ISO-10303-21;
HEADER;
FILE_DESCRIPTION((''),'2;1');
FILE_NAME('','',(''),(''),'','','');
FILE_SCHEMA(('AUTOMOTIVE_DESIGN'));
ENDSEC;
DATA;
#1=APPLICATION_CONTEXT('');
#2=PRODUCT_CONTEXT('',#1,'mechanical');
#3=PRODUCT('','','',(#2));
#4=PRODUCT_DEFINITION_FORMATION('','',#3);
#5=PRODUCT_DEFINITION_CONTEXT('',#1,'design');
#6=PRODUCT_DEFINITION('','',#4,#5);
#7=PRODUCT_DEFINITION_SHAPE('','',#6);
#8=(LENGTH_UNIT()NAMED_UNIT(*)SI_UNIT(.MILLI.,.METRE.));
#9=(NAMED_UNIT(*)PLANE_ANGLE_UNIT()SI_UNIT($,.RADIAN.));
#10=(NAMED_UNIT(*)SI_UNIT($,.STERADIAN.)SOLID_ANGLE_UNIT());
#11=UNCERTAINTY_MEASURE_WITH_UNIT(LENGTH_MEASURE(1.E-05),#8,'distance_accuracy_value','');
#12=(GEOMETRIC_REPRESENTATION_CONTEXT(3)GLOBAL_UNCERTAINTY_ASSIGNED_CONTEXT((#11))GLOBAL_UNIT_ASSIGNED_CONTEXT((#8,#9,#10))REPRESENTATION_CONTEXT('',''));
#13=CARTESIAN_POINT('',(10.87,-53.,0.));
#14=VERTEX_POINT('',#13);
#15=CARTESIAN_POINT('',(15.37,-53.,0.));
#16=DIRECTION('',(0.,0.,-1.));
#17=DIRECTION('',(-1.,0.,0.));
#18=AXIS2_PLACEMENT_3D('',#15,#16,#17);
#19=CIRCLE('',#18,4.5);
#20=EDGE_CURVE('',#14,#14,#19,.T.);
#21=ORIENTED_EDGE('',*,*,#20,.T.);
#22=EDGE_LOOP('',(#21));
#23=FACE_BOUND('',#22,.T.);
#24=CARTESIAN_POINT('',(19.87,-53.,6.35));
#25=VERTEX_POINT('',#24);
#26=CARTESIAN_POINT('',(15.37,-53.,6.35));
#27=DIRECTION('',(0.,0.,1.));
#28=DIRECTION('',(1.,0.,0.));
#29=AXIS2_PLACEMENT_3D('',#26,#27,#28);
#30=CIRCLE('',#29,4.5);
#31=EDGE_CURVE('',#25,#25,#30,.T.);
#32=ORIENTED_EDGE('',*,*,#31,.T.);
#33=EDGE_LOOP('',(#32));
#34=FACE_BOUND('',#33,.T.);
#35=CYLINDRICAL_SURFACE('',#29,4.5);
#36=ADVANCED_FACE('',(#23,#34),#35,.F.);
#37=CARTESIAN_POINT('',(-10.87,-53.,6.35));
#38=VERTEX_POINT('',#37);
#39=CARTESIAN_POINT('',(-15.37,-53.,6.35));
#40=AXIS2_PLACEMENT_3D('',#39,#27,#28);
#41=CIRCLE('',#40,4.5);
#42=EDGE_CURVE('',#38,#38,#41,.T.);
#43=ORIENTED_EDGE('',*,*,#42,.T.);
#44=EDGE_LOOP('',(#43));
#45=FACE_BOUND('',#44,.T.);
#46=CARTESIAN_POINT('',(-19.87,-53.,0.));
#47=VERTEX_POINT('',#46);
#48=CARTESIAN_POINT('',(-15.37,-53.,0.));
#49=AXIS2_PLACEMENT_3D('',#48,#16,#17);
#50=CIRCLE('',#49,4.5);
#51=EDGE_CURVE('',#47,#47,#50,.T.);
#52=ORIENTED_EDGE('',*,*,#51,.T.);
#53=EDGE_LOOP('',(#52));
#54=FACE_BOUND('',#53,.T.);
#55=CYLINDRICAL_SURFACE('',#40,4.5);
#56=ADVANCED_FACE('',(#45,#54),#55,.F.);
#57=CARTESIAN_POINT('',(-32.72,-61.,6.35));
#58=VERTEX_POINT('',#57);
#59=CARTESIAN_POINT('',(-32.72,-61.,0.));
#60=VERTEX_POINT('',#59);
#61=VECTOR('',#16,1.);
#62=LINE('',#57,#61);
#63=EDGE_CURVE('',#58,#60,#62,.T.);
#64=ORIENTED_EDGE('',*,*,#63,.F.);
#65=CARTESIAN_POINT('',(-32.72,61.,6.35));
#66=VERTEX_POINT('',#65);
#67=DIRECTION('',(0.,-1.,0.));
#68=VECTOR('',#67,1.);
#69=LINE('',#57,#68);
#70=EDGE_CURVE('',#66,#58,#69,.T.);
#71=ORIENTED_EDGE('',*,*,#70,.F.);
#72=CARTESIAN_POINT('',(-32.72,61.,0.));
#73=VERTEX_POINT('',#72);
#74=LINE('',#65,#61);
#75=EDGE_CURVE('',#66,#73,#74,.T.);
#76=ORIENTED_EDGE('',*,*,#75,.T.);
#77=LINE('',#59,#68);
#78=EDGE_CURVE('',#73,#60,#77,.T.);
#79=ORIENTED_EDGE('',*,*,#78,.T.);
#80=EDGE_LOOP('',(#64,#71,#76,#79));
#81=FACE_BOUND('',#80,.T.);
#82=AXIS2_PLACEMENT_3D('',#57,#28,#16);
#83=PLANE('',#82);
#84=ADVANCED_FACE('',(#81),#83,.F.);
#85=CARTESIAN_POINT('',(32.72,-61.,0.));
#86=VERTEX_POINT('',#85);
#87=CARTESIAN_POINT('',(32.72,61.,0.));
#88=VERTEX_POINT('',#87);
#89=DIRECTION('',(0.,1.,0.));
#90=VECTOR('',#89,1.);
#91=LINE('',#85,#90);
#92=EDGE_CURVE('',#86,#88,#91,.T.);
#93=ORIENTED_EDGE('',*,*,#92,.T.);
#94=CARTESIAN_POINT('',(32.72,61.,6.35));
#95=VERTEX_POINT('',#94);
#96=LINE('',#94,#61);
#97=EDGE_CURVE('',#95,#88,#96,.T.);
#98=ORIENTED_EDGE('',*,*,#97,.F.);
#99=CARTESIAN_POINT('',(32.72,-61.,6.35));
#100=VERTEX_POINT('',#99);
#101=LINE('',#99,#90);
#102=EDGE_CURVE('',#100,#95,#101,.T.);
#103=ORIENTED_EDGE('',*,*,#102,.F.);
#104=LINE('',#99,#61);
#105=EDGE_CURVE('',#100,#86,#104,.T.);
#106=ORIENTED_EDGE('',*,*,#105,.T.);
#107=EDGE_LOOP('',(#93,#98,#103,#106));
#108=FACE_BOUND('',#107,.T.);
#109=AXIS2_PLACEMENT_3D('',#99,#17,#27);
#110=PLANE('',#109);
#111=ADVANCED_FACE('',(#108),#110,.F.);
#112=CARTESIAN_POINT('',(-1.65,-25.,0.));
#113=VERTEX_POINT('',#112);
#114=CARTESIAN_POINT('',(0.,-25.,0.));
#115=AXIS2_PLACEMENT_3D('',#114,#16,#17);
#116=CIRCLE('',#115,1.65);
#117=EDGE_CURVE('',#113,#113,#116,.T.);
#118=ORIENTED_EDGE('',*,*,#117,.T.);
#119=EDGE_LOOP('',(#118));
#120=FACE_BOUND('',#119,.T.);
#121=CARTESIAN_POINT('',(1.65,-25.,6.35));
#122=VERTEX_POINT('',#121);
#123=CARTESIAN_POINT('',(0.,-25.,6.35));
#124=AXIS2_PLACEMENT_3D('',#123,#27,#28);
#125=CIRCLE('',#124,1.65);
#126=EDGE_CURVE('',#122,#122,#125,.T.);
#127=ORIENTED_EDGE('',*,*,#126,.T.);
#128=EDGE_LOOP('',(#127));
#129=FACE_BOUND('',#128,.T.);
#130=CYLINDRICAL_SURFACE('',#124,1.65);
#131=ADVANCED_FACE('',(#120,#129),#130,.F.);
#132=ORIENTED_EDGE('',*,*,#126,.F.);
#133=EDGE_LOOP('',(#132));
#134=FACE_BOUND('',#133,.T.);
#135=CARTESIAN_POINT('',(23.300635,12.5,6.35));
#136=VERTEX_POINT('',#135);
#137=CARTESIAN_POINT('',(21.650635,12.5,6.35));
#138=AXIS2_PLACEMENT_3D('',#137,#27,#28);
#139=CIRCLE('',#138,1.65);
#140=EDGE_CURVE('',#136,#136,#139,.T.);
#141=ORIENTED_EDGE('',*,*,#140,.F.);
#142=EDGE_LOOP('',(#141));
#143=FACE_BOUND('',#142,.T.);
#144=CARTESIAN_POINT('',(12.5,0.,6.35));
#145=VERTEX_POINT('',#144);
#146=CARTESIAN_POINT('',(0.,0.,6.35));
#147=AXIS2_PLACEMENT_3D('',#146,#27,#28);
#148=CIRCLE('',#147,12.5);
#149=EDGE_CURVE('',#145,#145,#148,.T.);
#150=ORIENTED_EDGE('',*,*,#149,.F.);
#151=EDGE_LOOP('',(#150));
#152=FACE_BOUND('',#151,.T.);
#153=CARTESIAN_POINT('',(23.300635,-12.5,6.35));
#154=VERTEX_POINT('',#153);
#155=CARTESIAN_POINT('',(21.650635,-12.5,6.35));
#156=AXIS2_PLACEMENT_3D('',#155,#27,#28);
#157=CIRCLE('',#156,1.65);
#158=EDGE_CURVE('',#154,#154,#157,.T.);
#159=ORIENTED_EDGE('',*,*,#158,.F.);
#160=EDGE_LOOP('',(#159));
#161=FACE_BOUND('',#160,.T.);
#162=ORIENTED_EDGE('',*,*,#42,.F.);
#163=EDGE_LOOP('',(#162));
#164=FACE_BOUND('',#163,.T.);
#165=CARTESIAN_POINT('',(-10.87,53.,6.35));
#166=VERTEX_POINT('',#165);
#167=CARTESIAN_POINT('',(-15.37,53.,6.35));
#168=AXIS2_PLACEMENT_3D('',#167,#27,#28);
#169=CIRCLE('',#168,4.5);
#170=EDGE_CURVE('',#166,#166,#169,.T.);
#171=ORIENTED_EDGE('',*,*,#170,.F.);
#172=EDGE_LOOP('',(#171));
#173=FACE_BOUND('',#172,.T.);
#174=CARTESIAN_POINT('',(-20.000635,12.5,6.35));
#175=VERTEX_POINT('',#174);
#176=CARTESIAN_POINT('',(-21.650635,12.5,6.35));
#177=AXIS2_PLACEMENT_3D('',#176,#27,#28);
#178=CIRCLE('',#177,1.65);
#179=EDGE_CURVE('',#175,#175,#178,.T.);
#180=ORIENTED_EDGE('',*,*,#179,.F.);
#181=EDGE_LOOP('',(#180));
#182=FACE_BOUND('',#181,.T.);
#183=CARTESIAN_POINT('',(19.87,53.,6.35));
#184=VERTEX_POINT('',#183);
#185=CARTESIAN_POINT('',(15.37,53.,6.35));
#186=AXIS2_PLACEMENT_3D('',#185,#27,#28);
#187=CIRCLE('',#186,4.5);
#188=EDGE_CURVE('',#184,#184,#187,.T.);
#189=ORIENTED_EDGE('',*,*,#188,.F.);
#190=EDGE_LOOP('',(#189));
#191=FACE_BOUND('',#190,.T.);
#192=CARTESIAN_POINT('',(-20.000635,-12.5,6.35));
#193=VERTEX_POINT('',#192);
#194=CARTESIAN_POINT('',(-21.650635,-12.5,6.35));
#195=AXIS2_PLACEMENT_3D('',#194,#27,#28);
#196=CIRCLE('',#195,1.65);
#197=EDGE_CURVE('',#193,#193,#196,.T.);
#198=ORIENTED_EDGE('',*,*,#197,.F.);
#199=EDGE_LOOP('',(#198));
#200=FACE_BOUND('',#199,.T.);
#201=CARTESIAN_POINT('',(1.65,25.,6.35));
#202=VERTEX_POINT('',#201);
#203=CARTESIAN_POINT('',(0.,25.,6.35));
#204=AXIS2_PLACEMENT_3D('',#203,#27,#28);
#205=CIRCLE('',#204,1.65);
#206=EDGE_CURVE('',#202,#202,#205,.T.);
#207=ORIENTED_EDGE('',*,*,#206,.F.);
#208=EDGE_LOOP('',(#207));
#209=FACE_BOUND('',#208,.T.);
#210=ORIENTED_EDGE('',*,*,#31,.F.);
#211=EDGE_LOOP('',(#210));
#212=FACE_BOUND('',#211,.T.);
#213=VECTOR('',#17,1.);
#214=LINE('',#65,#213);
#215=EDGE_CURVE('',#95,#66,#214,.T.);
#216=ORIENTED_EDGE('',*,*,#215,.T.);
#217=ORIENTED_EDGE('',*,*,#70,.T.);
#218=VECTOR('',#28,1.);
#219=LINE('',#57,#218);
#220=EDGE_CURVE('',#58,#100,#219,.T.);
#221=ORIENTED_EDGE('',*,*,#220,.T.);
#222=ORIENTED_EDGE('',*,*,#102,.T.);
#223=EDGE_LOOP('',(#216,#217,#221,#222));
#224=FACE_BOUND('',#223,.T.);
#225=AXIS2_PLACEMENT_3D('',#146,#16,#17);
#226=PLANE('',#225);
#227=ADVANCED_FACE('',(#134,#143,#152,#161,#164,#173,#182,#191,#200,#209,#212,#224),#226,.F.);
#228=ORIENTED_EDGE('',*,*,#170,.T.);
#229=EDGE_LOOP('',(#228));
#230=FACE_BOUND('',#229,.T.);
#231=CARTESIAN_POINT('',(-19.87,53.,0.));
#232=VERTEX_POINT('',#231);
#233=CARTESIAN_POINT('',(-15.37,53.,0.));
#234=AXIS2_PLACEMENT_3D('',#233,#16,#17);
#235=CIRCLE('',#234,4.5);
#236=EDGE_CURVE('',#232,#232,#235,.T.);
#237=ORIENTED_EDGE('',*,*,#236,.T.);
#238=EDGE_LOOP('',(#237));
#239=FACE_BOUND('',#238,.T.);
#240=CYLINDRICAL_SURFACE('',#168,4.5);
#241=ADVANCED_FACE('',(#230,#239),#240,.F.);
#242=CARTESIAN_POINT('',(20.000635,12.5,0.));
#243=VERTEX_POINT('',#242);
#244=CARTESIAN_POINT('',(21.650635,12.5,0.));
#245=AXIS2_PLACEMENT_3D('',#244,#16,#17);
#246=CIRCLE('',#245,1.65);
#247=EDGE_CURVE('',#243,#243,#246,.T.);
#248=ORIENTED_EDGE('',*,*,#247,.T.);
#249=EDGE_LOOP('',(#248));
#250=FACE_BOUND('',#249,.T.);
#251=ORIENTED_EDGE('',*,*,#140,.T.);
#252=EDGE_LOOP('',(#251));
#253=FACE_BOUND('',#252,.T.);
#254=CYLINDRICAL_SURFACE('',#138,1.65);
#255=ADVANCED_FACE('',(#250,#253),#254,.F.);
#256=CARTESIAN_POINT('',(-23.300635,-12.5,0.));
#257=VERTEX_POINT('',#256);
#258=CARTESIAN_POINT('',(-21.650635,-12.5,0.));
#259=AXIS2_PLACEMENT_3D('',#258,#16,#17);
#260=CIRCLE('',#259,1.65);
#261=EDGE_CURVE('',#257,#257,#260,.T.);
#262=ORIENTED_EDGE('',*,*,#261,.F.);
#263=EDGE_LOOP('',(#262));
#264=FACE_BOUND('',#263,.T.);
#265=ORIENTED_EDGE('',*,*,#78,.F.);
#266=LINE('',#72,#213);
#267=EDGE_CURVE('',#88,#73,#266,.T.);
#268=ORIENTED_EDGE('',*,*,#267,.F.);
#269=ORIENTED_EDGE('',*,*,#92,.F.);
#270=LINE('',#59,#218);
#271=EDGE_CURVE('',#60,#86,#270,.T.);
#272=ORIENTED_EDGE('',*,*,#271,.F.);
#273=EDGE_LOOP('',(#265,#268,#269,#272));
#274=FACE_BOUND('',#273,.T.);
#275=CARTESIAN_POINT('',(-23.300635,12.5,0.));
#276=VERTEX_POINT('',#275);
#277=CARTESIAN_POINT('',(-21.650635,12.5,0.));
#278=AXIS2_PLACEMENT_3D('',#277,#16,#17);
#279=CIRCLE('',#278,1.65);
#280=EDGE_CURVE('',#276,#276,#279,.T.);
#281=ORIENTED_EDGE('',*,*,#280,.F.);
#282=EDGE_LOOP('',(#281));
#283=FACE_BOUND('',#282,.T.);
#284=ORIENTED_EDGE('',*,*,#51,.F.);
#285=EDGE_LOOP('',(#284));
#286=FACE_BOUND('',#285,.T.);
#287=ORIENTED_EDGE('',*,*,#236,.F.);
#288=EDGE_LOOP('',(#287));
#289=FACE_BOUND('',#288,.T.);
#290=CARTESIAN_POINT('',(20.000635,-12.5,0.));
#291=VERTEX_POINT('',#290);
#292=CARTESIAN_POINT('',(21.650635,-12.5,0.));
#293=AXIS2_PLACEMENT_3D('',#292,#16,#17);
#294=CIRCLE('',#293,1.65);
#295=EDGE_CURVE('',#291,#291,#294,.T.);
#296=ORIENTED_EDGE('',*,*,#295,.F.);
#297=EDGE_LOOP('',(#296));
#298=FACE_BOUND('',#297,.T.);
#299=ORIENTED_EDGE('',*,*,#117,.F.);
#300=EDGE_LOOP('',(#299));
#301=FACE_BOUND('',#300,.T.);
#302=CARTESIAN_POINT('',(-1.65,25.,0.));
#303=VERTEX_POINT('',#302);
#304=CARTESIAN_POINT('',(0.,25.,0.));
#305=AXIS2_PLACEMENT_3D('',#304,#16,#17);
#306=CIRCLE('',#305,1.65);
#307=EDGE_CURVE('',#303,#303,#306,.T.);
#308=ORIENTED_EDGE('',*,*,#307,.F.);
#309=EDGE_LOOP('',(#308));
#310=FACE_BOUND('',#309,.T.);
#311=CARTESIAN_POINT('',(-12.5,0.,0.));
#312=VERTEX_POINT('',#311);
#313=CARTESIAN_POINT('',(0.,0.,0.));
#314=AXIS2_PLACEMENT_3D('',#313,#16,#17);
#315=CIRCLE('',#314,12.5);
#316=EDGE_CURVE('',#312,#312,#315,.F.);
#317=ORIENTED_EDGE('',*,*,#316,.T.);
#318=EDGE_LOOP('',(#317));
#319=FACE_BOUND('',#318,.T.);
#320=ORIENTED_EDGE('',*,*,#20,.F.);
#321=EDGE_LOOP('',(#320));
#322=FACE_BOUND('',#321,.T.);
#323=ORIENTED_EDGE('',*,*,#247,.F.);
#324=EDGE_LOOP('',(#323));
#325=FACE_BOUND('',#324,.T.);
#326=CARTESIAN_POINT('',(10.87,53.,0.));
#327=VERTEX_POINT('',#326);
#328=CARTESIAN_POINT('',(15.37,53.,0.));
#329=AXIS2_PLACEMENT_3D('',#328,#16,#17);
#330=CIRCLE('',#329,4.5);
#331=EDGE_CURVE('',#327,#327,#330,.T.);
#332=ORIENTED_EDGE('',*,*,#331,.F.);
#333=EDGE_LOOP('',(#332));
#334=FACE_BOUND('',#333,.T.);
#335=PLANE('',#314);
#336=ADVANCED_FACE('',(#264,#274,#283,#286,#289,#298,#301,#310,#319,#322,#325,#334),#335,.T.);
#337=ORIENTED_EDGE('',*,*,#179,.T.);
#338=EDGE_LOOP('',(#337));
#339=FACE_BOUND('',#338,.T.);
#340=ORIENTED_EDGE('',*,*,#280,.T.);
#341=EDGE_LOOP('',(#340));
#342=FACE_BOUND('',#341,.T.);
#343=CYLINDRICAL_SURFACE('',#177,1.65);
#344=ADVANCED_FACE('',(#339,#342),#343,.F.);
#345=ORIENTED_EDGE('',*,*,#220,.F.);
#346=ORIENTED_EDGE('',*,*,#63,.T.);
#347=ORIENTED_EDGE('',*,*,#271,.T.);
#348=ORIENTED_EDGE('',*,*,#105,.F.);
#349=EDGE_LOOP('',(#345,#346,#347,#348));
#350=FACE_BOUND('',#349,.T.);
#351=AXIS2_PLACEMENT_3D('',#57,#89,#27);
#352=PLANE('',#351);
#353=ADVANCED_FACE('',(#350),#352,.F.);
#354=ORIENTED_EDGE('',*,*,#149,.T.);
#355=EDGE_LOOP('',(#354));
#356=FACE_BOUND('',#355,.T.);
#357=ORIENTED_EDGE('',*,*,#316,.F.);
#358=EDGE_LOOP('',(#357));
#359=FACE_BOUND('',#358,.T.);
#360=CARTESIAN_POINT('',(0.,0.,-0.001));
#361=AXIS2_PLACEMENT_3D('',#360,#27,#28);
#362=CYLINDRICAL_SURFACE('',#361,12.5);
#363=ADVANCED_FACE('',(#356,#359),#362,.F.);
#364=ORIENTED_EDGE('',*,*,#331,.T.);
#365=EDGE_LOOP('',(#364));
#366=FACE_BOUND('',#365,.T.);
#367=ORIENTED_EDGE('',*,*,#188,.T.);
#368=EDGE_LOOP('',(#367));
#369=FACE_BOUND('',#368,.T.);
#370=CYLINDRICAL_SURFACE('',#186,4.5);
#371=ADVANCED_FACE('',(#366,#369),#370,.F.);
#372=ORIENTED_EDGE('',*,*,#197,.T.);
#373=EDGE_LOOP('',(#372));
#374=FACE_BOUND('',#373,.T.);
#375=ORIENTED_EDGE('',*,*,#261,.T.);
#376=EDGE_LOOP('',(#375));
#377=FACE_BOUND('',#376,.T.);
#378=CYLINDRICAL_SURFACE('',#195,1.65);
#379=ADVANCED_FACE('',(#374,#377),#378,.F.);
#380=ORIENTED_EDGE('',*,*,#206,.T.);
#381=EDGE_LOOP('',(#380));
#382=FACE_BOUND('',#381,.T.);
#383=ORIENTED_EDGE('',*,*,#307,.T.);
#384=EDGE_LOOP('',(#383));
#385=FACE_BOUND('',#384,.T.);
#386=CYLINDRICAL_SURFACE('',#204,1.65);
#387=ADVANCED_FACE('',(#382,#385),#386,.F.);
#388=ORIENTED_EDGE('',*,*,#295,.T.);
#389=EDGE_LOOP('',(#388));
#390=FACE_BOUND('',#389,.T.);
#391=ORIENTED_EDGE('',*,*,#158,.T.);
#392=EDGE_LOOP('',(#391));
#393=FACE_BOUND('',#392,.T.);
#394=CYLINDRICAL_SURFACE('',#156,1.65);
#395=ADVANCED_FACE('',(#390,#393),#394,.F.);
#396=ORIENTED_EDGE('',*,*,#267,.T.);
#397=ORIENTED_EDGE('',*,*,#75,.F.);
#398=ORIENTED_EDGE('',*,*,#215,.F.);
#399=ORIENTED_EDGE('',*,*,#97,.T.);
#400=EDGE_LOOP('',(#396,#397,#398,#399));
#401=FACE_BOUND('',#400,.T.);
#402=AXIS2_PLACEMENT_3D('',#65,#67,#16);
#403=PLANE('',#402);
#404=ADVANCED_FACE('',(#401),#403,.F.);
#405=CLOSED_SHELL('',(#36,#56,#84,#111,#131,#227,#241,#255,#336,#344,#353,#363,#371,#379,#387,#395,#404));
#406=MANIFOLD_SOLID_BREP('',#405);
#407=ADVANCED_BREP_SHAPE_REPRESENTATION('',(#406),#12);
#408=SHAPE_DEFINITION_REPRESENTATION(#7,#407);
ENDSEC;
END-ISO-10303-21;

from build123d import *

# Parameters (mm, degrees)
SKETCH1_W                 = 65.44
SKETCH1_H                 = 122
BOSS_EXTRUDE1_DEPTH       = 6.35
M4X0_7_TAPPED_HOLE1_D     = 3.3
M4X0_7_TAPPED_HOLE1_DEPTH = 6.35
M8_CLEARANCE_HOLE1_D      = 9
M8_CLEARANCE_HOLE1_DEPTH  = 6.35
CUT_EXTRUDE2_REACH        = 8.35
SKETCH14_R                = 12.5


with BuildPart() as part:
    # Sketch1 → Boss-Extrude1 (new body)
    with BuildSketch(Plane.XY):
        Rectangle(SKETCH1_W, SKETCH1_H)
    extrude(amount=BOSS_EXTRUDE1_DEPTH)

    # M4x0.7 Tapped Hole1
    with Locations(Plane.XY.offset(6.35)):
        with Locations((0, 25), (-21.650635095, 12.5), (-21.650635095, -12.5), (0, -25), (21.650635095, -12.5), (21.650635095, 12.5)):
            Hole(M4X0_7_TAPPED_HOLE1_D / 2, depth=M4X0_7_TAPPED_HOLE1_DEPTH)

    # M8 Clearance Hole1
    with Locations(Plane.XY.offset(6.35)):
        with Locations((-15.37, 53), (15.37, 53), (15.37, -53), (-15.37, -53)):
            Hole(M8_CLEARANCE_HOLE1_D / 2, depth=M8_CLEARANCE_HOLE1_DEPTH)

    # Sketch14 → Cut-Extrude2 (cut, up to next)
    with BuildSketch(Plane.XY.offset(6.35), mode=Mode.PRIVATE) as cut_extrude2_sk1:
        Circle(SKETCH14_R)
    cut_extrude2_tool1 = extrude(cut_extrude2_sk1.sketch, amount=-CUT_EXTRUDE2_REACH, mode=Mode.PRIVATE) & part.part
    add(cut_extrude2_tool1.solids().sort_by_distance((0, 0, 6.35))[0], mode=Mode.SUBTRACT)


solid = part.part
